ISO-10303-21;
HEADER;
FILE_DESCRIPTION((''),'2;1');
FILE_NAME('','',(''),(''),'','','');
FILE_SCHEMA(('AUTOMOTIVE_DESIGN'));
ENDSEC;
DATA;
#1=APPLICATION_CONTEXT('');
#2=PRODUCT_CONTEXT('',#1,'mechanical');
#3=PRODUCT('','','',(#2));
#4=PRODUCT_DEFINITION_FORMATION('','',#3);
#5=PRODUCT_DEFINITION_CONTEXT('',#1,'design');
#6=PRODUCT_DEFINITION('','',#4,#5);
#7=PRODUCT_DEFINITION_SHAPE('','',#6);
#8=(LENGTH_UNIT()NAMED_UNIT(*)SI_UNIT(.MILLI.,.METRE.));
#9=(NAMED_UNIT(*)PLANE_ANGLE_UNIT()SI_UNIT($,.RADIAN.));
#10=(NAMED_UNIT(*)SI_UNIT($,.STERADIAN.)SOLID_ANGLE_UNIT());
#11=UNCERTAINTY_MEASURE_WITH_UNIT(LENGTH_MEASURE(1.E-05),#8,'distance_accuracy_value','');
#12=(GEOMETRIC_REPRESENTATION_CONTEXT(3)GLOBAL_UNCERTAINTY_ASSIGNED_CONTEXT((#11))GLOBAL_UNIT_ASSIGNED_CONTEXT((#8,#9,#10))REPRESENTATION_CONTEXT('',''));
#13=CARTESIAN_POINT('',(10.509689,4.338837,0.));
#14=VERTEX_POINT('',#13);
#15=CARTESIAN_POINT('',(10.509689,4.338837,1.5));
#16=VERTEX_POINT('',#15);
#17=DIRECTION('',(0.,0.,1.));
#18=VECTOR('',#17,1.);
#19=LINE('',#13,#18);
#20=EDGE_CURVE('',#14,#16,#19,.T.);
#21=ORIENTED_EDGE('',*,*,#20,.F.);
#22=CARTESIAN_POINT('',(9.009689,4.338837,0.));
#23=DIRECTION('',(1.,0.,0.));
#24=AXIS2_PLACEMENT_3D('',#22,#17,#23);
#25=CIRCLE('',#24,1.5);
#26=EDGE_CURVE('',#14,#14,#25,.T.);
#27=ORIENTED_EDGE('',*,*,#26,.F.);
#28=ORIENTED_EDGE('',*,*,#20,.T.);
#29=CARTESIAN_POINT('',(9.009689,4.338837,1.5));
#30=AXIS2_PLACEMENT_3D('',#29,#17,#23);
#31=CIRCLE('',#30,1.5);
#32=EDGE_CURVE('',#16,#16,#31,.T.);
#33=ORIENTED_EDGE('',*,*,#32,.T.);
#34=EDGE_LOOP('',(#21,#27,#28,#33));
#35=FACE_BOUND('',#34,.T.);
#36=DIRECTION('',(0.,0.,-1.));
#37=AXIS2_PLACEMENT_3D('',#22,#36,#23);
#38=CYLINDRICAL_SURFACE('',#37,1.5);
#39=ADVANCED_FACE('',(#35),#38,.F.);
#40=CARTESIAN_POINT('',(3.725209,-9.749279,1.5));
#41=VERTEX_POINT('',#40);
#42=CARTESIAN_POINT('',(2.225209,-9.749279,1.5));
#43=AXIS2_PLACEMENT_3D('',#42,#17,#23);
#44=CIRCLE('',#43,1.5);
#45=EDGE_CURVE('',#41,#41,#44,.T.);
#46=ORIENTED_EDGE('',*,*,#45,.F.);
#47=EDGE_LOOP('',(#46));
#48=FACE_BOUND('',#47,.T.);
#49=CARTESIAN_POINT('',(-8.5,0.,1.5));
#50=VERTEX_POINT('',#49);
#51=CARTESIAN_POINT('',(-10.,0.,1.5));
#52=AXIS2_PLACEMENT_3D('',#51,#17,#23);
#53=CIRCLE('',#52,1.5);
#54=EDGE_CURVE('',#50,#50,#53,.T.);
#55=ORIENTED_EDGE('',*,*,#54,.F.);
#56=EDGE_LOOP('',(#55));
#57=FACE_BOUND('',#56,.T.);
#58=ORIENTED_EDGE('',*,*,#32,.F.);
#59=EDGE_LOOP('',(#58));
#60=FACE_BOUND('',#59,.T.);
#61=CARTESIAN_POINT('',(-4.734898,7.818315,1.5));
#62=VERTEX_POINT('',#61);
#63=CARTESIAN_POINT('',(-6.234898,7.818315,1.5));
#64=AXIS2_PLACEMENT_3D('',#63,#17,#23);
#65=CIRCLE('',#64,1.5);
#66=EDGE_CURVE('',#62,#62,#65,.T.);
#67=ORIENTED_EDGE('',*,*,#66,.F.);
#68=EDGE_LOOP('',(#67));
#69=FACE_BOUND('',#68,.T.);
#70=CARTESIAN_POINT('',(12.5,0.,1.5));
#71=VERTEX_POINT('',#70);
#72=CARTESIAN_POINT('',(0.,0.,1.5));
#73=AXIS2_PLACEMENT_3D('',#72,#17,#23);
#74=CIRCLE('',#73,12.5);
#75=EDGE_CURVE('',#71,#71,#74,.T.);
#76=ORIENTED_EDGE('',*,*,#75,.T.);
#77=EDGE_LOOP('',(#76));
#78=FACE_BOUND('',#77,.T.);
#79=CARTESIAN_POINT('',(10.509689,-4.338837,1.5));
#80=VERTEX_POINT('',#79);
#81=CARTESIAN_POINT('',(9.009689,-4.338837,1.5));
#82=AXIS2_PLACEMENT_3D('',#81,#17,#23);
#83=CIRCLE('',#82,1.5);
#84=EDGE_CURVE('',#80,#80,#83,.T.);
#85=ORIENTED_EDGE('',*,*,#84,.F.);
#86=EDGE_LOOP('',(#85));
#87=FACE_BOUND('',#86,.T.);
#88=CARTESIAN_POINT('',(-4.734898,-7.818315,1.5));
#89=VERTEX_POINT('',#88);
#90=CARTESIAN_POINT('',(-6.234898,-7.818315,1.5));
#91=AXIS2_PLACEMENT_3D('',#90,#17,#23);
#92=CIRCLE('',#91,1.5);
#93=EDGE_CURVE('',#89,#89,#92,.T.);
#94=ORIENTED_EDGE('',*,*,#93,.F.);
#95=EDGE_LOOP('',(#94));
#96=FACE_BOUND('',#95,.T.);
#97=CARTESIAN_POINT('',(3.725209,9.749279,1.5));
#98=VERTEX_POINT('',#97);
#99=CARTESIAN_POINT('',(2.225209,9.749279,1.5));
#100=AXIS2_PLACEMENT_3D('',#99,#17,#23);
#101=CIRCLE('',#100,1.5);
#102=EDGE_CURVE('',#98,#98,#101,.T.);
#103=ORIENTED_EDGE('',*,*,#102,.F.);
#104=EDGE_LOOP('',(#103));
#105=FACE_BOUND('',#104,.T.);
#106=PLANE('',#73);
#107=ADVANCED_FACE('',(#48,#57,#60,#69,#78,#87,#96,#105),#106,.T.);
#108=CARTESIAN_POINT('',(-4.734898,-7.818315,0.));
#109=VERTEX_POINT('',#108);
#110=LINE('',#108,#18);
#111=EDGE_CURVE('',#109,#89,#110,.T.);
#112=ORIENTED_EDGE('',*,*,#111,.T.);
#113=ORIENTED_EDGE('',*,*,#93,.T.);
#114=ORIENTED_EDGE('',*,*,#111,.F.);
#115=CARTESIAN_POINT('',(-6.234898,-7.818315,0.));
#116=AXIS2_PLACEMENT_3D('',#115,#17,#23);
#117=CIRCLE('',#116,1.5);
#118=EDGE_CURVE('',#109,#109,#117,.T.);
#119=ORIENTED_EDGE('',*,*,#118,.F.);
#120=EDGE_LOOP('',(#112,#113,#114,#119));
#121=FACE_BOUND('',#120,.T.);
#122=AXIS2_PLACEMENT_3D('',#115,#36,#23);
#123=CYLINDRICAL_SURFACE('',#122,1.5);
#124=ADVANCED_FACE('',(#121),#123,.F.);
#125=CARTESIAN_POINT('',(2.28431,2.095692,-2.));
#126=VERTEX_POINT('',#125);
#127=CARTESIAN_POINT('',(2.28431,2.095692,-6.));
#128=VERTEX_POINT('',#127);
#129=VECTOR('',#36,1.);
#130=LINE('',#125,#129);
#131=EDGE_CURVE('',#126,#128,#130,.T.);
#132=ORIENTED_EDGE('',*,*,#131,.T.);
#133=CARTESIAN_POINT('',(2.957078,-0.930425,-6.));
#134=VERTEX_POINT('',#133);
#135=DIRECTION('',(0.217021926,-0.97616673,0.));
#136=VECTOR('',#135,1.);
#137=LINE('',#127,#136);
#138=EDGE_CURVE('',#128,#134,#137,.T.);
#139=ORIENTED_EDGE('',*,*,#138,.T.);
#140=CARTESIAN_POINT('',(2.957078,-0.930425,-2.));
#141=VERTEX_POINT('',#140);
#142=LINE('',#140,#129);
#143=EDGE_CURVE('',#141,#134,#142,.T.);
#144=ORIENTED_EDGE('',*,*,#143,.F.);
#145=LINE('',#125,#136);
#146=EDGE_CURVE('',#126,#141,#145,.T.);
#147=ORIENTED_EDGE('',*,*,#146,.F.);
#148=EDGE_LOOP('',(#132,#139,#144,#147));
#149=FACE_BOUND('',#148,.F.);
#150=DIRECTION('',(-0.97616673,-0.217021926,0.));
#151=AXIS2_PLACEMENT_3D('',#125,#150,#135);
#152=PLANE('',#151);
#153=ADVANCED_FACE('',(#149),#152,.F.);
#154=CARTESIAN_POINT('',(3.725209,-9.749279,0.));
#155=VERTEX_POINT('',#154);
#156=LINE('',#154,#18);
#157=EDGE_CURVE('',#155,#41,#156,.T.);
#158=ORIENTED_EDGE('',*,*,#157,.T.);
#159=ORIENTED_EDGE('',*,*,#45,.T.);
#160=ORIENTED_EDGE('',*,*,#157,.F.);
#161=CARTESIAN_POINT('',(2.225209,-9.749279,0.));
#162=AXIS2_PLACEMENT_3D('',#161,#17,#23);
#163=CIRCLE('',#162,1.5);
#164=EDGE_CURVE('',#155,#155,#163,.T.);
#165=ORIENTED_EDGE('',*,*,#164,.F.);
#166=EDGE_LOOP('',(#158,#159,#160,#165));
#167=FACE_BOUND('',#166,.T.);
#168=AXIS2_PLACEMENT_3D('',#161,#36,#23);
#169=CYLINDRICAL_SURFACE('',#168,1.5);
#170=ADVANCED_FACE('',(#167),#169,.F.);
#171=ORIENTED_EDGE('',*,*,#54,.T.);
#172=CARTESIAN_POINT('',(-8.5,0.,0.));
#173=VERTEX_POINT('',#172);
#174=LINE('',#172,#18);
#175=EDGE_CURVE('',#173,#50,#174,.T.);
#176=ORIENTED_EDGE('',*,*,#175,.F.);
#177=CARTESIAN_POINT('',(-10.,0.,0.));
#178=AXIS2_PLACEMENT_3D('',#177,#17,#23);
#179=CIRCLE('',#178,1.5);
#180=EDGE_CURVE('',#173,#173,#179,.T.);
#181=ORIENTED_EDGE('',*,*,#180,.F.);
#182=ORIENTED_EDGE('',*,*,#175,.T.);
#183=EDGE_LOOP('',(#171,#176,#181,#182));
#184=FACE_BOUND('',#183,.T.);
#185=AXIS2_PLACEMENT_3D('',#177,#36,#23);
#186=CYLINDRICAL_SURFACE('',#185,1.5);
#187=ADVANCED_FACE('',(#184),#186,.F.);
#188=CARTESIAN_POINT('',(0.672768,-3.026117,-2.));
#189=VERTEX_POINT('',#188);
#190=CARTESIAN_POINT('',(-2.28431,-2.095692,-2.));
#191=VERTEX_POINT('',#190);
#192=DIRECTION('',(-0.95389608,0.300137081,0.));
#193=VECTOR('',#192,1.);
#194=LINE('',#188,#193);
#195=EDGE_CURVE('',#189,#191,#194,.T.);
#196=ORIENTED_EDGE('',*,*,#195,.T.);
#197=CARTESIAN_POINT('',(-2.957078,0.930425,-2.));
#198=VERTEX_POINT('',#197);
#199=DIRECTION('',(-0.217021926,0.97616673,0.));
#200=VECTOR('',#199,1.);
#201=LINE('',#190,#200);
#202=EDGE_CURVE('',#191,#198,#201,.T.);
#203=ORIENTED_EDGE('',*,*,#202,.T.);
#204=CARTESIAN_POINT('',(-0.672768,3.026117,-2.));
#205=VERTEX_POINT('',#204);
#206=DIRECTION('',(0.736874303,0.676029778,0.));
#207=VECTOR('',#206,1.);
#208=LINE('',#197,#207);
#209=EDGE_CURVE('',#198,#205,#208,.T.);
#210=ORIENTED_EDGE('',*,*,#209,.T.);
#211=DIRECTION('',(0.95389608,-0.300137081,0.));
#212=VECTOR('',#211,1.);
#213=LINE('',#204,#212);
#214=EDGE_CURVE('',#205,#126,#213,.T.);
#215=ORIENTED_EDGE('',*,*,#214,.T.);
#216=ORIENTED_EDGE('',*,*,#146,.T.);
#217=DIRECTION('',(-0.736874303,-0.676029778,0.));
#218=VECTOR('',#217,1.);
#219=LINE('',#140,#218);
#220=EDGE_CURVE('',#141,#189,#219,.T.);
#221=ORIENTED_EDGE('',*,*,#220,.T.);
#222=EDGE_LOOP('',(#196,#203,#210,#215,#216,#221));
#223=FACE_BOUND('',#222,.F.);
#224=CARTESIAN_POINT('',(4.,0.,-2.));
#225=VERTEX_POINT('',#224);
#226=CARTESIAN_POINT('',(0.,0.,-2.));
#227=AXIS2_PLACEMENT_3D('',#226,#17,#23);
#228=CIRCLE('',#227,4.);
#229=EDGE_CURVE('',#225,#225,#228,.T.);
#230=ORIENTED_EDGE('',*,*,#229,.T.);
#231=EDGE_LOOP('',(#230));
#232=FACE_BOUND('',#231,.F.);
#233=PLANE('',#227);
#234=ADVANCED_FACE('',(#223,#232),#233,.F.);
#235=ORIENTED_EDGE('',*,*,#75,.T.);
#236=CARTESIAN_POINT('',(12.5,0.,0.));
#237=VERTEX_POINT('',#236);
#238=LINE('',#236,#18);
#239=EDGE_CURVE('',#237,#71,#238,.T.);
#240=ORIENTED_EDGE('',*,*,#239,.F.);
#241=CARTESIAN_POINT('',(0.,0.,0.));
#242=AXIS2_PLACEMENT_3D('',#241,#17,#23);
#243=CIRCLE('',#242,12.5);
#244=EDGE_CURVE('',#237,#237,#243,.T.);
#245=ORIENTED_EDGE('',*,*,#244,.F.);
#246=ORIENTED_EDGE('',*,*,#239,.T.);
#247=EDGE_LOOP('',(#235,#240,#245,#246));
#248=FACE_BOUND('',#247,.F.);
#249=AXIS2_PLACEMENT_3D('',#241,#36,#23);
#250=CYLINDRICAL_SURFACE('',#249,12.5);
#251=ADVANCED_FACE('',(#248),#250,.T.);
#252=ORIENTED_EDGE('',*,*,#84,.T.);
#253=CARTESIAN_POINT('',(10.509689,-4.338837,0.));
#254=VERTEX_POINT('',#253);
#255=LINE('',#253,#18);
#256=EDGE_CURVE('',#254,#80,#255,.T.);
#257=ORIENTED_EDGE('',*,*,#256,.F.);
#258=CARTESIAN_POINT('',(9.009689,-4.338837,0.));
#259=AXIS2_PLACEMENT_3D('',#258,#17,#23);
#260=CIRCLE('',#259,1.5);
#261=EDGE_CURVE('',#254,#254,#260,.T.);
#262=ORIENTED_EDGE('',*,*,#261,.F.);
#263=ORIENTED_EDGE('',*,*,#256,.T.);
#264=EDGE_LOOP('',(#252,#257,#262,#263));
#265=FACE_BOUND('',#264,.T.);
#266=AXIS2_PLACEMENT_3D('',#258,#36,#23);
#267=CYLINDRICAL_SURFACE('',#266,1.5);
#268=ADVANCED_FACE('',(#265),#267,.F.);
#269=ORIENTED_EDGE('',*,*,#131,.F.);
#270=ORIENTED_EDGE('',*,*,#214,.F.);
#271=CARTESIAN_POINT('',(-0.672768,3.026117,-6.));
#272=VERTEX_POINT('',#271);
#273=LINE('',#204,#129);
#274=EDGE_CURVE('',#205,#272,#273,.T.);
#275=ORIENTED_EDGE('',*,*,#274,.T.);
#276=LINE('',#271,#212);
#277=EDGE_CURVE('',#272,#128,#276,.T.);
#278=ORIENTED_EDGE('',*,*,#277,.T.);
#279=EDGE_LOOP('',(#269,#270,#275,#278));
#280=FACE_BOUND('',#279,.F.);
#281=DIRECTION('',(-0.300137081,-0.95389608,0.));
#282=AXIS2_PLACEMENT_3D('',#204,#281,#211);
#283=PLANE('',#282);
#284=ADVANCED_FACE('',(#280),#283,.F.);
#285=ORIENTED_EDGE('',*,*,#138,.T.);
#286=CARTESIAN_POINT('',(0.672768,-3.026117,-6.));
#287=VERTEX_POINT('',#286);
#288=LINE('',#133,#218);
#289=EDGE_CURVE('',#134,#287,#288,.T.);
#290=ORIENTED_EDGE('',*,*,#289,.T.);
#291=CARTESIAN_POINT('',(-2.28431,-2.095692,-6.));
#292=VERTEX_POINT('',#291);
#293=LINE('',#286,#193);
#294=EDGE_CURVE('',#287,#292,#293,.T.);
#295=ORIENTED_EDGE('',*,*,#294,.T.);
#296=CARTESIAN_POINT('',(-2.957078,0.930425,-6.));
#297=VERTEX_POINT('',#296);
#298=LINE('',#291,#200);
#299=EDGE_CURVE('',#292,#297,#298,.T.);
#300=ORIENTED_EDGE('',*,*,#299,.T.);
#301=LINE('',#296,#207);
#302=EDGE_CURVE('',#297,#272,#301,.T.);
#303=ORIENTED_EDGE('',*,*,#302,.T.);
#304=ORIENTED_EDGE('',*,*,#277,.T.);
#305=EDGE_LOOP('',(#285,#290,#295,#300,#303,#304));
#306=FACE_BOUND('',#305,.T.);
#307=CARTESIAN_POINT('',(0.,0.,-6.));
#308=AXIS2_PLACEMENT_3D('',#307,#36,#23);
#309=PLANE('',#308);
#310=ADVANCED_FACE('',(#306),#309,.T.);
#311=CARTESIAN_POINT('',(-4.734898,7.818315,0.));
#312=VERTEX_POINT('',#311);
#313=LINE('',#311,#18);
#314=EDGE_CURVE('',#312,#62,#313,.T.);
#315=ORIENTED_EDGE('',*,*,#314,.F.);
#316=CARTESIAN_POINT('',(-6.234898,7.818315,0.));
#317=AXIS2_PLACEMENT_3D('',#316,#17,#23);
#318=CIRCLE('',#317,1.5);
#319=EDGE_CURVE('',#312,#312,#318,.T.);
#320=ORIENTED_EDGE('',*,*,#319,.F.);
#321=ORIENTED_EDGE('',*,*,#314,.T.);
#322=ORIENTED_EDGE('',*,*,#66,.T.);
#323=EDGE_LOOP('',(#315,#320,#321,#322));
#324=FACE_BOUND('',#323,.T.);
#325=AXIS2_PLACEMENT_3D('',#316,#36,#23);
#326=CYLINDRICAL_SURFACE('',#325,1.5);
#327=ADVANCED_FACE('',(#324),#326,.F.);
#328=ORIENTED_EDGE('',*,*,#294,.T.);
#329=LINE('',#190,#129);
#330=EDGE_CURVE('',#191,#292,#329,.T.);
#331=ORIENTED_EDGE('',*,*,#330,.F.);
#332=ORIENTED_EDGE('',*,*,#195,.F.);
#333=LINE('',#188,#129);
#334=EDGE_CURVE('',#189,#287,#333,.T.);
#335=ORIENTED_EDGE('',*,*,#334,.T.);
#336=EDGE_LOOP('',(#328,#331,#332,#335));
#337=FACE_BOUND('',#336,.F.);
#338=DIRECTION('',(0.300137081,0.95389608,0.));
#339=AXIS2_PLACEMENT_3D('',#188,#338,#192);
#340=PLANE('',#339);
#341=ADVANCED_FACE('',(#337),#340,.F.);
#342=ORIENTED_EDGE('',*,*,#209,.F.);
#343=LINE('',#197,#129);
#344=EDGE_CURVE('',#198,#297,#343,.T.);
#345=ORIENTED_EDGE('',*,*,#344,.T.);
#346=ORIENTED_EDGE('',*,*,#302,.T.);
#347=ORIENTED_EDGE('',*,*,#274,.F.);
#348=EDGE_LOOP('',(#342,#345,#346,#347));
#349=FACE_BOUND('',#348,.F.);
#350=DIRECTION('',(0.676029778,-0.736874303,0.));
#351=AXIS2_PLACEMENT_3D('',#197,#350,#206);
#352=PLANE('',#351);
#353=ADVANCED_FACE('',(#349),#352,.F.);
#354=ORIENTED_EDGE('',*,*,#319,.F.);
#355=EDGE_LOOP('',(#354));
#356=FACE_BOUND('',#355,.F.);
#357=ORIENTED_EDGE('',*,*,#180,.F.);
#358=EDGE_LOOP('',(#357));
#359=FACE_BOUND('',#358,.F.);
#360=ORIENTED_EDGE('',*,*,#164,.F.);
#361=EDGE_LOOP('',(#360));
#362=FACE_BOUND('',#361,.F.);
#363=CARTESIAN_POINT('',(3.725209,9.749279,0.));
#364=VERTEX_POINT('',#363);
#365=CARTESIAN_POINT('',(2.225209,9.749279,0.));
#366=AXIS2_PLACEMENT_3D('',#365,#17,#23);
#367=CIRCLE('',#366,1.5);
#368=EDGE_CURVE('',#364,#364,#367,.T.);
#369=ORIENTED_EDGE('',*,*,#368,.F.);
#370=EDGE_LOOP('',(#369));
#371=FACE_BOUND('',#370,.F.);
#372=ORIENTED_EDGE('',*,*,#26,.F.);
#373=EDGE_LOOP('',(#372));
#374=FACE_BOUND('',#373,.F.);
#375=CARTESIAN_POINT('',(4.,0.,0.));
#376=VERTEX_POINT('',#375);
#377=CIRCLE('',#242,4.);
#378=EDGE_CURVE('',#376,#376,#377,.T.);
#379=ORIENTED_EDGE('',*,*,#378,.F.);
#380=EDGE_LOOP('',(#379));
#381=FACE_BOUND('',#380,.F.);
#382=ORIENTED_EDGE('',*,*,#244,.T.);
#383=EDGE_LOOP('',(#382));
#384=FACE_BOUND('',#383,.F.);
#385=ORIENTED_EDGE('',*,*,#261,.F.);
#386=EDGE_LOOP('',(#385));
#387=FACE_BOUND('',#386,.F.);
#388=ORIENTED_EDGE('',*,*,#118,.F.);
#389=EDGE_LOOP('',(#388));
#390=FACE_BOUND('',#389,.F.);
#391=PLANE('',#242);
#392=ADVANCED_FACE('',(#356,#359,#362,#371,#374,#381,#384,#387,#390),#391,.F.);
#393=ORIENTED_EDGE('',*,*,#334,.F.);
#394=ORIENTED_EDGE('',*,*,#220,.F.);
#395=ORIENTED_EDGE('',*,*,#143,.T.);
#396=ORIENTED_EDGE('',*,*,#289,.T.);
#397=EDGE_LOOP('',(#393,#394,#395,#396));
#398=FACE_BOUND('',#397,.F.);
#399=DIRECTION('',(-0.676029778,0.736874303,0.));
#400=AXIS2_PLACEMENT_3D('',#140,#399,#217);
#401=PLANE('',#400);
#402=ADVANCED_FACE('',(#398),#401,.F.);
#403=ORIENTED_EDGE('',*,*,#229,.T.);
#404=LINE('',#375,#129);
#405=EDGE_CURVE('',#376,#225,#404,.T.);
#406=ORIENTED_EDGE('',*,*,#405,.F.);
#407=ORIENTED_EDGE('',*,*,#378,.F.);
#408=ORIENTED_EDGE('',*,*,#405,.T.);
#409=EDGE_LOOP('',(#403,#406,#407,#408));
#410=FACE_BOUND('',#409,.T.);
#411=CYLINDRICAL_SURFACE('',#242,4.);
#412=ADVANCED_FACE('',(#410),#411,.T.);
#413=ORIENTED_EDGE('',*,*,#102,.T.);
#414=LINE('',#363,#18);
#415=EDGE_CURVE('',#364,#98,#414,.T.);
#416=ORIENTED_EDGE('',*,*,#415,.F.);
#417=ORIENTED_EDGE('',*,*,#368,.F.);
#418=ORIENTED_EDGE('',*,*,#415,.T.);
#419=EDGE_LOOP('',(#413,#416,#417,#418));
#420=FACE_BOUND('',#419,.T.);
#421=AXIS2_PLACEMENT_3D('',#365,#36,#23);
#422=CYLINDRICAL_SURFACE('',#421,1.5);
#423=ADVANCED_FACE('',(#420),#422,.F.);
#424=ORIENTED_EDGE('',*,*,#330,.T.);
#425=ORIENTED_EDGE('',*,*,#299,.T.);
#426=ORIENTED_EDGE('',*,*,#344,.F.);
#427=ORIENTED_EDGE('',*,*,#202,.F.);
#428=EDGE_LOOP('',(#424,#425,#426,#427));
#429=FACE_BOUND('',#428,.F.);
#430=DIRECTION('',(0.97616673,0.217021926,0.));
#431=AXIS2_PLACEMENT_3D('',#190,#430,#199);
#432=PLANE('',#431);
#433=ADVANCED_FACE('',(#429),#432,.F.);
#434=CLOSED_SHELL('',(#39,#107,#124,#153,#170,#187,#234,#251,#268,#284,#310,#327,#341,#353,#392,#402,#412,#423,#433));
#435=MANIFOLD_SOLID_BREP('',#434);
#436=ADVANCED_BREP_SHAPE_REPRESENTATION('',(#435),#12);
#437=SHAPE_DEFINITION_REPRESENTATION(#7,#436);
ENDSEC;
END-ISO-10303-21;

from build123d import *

# Parameters (mm, degrees)
F0_R     = 12.5
F0_R_2   = 1.5
F0_R_3   = 4
F1_DEPTH = 1.5
F2_DEPTH = 2
F4_DEPTH = 4


with BuildPart() as f1:
    # F0 (on Top) → F1 (new body)
    with BuildSketch(Plane.XY):
        Circle(F0_R)
        with Locations((-6.234898, -7.818315)):
            Circle(F0_R_2, mode=Mode.SUBTRACT)
        with Locations((2.225209, -9.749279)):
            Circle(F0_R_2, mode=Mode.SUBTRACT)
        with Locations((9.009689, -4.338837)):
            Circle(F0_R_2, mode=Mode.SUBTRACT)
        with Locations((-10, 0)):
            Circle(F0_R_2, mode=Mode.SUBTRACT)
        with Locations((-6.234898, 7.818315)):
            Circle(F0_R_2, mode=Mode.SUBTRACT)
        Circle(F0_R_3, mode=Mode.SUBTRACT)
        with Locations((9.009689, 4.338837)):
            Circle(F0_R_2, mode=Mode.SUBTRACT)
        with Locations((2.225209, 9.749279)):
            Circle(F0_R_2, mode=Mode.SUBTRACT)
        Circle(F0_R_3)
    extrude(amount=F1_DEPTH)

    # F0 (on Top) → F2 (join)
    with BuildSketch(Plane.XY):
        Circle(F0_R_3)
    extrude(amount=-F2_DEPTH)

    # F3 (on face) → F4 (join)
    with BuildSketch(Plane(origin=(0, 0, -2), x_dir=(1, 0, 0), z_dir=(0, 0, -1))):
        Polygon((-0.672768, -3.026117), (2.28431, -2.095692), (2.957078, 0.930425), (0.672768, 3.026117), (-2.28431, 2.095692), (-2.957078, -0.930425), align=None)
    extrude(amount=F4_DEPTH)


solid = f1.part
